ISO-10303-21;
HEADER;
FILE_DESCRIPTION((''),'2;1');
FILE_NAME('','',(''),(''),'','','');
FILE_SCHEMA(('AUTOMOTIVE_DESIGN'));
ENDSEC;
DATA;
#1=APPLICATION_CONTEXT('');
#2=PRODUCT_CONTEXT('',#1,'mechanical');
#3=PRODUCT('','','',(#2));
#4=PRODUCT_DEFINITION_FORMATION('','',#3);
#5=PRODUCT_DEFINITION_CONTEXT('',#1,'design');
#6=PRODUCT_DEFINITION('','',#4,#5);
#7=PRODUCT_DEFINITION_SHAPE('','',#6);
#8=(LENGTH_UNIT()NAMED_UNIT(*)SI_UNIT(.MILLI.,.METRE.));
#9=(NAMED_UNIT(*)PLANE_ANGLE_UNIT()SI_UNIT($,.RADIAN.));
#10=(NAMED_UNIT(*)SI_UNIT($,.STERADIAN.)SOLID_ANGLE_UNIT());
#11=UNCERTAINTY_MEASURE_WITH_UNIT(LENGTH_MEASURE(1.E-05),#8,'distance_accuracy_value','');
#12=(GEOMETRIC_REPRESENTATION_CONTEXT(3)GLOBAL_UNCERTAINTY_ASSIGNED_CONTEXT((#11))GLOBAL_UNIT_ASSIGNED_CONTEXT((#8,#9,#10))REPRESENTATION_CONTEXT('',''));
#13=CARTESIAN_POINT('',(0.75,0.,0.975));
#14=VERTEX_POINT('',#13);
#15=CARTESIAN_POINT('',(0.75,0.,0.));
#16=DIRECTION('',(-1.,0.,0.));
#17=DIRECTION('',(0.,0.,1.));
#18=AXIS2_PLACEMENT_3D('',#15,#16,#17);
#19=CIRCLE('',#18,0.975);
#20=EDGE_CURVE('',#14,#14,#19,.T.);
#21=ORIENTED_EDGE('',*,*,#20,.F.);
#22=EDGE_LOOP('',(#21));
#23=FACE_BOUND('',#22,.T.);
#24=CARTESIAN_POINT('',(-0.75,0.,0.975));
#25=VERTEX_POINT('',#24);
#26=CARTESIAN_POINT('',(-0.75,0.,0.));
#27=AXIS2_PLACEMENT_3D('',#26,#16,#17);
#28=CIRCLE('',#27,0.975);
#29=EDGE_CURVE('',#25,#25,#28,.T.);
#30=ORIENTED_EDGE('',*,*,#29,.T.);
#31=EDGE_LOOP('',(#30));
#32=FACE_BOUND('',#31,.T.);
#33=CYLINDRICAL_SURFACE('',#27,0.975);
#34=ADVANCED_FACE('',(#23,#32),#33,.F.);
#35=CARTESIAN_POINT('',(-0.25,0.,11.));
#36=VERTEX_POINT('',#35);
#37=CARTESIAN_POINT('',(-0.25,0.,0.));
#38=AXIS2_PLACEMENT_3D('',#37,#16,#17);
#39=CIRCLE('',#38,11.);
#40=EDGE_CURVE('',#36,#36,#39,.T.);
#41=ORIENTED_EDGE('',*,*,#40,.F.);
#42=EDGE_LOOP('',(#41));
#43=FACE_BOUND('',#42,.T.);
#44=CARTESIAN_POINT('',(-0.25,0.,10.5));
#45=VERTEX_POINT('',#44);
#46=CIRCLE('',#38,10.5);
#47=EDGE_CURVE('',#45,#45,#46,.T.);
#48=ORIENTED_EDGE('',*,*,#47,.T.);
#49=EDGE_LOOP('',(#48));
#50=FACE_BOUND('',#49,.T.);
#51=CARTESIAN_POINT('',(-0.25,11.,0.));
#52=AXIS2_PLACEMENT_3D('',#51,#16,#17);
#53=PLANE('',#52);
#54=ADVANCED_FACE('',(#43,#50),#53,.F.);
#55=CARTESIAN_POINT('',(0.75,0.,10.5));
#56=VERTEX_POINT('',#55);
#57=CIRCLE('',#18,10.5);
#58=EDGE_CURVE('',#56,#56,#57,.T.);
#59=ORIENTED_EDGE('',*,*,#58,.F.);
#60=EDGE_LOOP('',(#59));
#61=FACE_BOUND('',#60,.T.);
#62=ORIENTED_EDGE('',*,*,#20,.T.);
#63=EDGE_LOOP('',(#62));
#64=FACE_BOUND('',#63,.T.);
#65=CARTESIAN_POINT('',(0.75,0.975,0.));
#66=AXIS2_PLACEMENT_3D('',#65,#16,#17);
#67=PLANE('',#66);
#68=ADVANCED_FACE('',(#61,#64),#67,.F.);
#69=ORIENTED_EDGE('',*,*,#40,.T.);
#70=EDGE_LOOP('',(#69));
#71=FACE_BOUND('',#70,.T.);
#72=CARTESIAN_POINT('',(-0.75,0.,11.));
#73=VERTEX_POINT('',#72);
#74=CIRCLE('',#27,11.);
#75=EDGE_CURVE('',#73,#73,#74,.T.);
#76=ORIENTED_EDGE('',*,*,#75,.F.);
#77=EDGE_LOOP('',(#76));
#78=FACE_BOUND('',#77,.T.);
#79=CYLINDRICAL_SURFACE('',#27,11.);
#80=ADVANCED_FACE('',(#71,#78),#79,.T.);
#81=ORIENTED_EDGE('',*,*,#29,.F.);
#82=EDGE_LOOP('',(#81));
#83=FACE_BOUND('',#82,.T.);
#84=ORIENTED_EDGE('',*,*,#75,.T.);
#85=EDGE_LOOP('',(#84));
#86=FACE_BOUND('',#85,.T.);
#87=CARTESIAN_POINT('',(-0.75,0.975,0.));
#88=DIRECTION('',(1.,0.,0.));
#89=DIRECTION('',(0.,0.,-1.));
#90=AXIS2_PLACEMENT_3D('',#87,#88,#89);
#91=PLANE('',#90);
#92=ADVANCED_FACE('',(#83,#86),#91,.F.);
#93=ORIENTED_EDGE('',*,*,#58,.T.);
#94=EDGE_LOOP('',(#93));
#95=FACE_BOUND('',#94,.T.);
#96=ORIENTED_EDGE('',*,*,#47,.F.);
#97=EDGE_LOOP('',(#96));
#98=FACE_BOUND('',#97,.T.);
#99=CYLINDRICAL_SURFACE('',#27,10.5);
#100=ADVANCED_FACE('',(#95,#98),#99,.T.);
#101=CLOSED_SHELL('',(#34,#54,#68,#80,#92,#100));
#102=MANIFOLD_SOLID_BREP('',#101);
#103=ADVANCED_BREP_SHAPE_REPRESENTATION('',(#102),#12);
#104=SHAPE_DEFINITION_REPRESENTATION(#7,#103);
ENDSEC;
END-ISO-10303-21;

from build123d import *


with BuildPart() as part:
    # Sketch1 → Revolve1 (revolve)
    with BuildSketch(Plane.XY, mode=Mode.PRIVATE) as revolve1_sk:
        Polygon((-0.75, 11), (-0.25, 11), (-0.25, 10.5), (0.75, 10.5), (0.75, 0.975), (-0.75, 0.975), align=None)
    revolve(revolve1_sk.sketch.rotate(Axis((-0.75, 0, 0), (1, 0, 0)), 90), axis=Axis((-0.75, 0, 0), (1, 0, 0)))


solid = part.part
